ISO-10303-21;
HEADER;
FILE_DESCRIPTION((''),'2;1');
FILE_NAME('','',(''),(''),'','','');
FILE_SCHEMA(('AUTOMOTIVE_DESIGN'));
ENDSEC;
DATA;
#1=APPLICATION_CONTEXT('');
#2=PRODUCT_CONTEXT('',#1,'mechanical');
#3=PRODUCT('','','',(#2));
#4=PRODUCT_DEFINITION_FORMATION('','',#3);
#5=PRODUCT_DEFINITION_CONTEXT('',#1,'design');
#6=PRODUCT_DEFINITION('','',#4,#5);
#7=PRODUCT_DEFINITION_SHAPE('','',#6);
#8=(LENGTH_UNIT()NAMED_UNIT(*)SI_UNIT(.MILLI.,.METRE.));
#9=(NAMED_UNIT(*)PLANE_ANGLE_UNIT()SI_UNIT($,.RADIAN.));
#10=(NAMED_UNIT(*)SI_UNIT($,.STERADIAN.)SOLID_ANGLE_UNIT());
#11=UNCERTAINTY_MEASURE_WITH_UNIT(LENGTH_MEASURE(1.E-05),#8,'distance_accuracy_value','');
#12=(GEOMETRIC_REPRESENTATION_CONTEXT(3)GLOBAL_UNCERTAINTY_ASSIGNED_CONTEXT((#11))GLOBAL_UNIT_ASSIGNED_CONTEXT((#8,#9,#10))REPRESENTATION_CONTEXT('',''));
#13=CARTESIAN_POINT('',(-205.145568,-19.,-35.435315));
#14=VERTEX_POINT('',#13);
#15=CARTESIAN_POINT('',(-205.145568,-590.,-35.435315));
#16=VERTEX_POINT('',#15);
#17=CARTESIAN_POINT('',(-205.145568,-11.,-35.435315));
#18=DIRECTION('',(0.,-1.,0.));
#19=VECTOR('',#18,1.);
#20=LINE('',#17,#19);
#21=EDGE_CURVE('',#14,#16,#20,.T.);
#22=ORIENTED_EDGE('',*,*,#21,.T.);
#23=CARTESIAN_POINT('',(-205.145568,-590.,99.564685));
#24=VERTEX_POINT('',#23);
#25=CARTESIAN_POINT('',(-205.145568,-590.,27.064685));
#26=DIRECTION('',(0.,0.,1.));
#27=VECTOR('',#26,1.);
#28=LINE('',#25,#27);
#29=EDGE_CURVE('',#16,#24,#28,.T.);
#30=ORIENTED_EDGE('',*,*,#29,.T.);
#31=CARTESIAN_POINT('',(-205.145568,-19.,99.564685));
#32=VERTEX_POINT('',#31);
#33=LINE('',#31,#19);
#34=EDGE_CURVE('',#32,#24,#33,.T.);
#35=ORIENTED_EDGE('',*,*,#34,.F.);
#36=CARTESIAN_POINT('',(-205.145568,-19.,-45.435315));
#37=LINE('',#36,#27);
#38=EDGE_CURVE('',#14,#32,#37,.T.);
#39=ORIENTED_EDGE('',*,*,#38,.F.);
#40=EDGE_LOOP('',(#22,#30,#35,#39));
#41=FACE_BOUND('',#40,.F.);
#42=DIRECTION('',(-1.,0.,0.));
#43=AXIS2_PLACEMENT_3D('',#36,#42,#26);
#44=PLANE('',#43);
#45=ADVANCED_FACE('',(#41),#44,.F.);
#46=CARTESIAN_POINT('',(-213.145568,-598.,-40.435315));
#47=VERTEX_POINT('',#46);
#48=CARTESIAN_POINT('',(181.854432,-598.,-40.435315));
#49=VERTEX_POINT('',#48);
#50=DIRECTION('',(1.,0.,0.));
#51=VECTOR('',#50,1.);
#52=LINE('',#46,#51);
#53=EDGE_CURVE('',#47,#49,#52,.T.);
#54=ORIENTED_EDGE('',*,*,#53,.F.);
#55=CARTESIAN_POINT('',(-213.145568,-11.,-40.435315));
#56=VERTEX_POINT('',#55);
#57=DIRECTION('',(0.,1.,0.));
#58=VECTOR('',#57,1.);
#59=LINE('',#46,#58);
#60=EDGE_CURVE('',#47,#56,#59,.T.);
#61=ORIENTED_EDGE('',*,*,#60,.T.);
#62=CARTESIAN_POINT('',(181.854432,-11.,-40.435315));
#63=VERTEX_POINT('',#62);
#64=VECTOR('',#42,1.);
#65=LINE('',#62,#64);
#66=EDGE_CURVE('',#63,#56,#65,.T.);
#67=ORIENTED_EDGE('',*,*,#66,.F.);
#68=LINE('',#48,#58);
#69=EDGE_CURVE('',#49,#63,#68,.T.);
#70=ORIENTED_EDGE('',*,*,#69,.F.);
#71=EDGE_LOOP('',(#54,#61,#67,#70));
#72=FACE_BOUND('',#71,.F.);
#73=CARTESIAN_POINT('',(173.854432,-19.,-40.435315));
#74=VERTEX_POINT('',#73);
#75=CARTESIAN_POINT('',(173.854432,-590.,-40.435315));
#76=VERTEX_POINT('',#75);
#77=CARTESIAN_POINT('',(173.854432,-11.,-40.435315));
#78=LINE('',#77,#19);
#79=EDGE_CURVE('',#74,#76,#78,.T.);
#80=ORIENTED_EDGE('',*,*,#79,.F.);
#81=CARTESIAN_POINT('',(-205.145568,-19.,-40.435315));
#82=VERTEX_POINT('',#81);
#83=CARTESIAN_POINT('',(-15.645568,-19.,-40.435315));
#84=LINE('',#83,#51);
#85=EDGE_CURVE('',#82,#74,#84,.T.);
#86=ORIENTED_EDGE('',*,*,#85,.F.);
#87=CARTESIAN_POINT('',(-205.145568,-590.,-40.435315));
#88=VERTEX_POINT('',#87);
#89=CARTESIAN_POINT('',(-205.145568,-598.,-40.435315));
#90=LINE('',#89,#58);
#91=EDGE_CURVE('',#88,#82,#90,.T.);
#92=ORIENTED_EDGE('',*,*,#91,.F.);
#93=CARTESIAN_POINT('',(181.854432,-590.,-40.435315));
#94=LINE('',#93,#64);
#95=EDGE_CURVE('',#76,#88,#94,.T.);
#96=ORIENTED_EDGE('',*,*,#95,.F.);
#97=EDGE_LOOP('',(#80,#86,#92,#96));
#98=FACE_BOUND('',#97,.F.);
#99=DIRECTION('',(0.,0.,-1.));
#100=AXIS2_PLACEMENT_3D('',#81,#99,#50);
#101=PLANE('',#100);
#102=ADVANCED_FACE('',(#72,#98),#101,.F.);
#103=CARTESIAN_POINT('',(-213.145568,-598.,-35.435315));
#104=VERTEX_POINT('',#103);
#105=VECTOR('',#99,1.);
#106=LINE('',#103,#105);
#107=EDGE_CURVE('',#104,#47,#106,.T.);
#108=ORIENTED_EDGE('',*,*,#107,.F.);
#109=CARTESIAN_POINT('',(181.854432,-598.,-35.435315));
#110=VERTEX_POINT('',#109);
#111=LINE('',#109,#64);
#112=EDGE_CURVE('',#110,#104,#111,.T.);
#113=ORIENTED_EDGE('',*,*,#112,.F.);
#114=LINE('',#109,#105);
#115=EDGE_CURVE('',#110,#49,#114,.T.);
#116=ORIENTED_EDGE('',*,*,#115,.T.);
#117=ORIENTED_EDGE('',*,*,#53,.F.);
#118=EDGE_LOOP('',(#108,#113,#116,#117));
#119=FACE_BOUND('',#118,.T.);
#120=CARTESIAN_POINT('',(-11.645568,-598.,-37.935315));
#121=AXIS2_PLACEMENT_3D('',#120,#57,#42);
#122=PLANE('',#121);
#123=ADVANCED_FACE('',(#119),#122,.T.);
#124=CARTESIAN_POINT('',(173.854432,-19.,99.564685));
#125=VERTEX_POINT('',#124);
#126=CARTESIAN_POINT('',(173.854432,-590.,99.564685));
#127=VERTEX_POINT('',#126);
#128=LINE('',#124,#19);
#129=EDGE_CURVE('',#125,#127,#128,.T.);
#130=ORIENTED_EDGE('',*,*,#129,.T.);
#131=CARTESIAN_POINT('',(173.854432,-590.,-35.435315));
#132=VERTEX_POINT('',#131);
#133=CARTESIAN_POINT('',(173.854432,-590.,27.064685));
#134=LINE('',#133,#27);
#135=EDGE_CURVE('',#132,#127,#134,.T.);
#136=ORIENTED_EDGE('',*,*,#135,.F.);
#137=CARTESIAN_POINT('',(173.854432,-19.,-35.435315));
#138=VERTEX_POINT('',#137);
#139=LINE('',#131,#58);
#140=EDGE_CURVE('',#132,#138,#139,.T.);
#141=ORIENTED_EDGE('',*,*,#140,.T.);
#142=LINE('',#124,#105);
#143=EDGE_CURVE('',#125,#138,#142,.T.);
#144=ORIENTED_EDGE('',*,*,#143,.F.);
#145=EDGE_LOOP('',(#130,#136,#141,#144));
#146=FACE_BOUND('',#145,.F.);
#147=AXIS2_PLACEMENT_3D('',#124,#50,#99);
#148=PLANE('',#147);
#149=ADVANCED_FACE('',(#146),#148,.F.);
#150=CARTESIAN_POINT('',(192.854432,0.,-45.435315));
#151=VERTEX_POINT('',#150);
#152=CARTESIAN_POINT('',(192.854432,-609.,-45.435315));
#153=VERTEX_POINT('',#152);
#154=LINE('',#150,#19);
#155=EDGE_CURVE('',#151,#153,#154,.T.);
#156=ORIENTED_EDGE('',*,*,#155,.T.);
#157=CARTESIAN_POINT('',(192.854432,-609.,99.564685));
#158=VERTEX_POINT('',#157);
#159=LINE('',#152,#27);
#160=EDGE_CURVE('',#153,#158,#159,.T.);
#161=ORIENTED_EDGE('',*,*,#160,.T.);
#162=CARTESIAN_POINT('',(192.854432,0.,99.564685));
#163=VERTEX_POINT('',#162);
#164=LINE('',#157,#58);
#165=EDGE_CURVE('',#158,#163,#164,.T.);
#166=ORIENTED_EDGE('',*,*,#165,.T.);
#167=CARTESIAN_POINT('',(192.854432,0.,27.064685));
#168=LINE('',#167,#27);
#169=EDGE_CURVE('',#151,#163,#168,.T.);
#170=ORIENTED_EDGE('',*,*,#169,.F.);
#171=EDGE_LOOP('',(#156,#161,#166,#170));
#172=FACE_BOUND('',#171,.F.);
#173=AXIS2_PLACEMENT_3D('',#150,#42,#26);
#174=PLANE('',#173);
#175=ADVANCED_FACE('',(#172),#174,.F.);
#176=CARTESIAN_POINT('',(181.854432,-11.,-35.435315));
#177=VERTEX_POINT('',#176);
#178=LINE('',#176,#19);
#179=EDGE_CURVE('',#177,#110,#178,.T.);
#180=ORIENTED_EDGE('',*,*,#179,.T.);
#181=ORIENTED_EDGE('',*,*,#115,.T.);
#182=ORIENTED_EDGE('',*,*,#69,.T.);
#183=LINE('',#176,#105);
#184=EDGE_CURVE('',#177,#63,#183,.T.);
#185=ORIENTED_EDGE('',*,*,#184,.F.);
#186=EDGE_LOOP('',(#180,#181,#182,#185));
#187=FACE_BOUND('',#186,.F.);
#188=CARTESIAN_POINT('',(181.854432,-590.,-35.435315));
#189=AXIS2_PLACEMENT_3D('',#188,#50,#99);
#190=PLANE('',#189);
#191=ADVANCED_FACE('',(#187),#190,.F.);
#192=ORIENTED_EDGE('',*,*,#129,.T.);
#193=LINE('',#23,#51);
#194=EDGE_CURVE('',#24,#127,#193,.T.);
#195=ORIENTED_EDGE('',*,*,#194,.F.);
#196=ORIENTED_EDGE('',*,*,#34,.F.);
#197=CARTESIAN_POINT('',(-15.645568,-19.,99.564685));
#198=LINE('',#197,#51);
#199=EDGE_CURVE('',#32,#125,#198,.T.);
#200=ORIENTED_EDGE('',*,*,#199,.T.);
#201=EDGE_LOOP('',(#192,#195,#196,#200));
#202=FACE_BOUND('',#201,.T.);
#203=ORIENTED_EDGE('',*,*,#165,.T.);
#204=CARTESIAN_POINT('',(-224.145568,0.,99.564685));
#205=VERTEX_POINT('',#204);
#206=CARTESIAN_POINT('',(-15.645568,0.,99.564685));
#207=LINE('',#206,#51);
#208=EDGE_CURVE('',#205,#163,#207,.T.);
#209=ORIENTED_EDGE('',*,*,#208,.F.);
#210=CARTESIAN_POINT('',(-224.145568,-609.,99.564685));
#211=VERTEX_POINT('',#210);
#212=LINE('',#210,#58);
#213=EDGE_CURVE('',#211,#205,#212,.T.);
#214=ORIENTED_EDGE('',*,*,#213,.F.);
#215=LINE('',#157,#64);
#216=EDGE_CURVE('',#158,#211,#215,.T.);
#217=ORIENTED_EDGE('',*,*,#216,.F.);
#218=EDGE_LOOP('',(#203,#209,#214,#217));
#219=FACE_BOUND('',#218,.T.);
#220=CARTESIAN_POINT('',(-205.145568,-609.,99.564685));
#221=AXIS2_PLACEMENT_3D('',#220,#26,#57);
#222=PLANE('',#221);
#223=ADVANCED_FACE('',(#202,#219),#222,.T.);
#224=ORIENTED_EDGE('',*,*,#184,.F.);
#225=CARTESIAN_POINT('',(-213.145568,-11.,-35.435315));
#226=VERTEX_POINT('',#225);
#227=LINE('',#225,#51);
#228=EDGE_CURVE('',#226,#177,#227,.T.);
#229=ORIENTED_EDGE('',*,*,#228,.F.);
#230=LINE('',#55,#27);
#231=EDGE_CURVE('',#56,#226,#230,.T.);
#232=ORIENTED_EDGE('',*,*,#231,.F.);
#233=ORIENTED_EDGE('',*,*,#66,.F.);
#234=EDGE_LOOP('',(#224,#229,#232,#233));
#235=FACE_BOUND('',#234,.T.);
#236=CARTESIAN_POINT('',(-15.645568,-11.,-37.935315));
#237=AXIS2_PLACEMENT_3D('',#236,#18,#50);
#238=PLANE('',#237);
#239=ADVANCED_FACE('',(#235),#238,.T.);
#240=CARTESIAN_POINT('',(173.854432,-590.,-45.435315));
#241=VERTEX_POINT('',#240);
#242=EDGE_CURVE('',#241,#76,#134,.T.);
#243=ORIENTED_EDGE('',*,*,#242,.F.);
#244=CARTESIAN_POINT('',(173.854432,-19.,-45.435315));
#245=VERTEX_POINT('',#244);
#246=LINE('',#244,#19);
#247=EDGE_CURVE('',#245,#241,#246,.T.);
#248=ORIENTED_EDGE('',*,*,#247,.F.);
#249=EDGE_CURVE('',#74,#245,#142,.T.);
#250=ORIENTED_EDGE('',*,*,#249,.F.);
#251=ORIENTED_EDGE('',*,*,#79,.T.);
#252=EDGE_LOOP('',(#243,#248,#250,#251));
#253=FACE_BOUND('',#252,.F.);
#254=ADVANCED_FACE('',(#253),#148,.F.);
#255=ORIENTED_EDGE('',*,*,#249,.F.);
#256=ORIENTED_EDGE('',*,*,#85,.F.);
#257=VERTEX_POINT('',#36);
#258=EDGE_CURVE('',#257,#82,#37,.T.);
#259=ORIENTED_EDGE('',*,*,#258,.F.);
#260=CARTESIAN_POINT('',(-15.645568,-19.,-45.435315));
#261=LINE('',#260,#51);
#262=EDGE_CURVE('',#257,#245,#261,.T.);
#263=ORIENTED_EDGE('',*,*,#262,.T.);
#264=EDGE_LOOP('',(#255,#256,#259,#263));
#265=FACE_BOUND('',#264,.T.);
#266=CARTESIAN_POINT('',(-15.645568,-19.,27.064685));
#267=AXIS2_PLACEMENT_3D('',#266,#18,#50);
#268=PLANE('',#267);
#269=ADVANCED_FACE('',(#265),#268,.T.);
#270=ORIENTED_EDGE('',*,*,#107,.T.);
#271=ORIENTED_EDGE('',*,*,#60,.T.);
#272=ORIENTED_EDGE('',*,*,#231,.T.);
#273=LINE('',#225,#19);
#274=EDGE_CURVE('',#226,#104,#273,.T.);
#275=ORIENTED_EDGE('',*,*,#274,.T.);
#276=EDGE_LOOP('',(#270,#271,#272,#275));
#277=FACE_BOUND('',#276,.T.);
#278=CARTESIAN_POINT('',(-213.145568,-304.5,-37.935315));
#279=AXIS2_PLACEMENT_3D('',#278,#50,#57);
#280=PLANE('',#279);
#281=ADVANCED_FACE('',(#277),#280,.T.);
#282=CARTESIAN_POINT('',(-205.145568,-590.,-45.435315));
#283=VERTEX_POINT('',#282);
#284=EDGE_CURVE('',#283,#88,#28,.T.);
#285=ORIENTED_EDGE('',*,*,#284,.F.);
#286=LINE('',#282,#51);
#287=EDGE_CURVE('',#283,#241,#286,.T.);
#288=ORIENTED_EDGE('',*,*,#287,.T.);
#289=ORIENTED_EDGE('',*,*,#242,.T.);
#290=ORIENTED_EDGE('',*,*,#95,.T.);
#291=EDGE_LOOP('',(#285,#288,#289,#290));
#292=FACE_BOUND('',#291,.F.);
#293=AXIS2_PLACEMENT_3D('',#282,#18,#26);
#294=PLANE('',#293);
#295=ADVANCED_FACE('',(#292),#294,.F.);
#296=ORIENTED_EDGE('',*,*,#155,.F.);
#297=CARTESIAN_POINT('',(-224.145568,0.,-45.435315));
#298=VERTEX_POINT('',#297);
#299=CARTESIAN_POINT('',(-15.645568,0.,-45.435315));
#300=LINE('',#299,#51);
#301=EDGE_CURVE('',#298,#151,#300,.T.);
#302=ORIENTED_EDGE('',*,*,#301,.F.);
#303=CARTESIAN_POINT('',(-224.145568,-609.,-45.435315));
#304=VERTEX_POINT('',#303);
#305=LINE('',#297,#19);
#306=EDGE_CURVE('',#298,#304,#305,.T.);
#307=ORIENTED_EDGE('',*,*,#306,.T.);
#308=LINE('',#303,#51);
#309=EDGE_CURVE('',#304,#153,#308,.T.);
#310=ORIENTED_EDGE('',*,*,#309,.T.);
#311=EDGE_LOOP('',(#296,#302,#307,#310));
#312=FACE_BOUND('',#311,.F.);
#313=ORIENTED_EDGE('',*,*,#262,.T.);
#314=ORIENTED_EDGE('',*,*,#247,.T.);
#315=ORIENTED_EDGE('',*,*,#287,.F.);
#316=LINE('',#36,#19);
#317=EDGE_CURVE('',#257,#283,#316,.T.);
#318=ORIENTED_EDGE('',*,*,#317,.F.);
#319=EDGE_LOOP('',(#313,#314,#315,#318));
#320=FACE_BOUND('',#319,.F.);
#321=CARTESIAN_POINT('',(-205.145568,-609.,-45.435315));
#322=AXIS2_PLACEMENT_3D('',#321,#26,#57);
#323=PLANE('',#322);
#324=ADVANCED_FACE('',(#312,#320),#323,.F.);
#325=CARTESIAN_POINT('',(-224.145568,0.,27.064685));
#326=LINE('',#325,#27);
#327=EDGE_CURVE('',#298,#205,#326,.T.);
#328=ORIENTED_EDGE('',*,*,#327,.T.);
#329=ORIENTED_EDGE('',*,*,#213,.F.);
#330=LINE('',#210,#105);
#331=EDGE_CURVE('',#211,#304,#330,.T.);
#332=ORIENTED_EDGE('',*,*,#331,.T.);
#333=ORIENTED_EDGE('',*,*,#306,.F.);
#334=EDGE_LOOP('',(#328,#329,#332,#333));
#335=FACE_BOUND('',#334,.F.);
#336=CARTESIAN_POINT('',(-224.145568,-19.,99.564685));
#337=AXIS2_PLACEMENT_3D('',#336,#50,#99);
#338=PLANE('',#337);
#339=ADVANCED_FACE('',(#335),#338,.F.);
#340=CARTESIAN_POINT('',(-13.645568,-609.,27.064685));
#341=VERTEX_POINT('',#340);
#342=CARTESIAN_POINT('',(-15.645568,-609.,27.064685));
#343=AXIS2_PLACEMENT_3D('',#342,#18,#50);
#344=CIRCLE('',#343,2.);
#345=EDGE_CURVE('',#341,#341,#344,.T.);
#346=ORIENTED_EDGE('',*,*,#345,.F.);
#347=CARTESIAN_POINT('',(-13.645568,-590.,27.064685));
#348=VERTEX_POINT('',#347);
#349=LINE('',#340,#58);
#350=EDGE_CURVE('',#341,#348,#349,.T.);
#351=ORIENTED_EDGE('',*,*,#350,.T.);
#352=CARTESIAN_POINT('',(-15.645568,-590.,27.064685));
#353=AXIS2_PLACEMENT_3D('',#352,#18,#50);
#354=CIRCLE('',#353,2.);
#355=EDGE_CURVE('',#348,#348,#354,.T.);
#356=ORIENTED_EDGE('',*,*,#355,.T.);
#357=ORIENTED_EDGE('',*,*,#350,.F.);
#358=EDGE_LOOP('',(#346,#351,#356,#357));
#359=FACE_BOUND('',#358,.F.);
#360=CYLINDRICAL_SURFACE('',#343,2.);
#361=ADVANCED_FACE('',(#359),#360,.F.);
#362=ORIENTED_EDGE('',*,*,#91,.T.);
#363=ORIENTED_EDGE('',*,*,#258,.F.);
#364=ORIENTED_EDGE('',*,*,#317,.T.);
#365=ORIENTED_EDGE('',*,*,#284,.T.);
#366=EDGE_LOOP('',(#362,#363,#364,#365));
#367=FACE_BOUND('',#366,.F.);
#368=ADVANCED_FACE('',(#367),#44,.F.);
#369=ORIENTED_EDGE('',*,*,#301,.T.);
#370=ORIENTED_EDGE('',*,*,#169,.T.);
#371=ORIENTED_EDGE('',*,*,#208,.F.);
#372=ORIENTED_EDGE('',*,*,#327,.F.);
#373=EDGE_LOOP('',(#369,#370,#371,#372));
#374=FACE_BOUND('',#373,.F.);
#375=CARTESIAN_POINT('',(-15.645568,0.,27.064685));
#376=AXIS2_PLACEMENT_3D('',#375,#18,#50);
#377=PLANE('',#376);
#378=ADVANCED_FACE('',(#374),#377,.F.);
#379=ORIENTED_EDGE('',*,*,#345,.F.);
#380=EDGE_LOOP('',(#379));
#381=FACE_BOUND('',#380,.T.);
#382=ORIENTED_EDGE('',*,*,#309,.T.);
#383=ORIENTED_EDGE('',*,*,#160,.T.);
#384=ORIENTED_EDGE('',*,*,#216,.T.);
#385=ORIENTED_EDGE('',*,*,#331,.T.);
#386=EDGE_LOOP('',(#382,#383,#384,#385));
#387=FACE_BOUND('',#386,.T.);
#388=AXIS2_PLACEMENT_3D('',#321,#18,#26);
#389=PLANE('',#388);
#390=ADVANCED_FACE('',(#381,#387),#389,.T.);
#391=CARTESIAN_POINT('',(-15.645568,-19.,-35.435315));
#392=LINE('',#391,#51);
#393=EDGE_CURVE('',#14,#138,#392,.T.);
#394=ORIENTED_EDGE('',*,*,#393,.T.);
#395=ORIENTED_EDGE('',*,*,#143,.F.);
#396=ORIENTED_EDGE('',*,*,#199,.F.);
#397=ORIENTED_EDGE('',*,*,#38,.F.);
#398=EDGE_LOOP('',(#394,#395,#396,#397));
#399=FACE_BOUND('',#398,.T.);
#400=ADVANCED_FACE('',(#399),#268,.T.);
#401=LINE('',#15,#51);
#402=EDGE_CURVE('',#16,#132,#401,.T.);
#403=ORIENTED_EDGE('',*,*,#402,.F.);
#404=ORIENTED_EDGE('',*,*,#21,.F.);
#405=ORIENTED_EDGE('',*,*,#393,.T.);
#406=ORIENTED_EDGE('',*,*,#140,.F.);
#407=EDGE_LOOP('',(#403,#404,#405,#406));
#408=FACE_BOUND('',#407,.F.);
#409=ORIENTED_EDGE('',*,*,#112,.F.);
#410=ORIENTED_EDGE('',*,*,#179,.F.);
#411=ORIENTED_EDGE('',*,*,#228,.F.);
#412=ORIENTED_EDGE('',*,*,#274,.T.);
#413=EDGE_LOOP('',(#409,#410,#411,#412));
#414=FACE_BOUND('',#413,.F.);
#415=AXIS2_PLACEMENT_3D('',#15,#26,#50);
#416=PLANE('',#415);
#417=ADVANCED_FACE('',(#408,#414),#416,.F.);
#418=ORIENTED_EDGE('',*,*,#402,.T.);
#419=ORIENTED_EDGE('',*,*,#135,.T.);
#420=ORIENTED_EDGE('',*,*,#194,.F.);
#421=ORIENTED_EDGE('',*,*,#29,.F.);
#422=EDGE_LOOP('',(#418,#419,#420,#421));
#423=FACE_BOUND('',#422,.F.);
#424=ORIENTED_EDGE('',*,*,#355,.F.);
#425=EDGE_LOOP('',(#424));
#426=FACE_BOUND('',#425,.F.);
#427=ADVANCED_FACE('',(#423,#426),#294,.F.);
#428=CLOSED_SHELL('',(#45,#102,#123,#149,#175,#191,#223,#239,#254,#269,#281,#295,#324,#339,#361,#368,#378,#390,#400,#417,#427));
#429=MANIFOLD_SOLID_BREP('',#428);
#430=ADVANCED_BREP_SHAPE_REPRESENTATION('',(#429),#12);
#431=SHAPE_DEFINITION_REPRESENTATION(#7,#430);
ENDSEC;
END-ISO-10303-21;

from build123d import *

# Parameters (mm, degrees)
F0_W      = 417
F0_H      = 145
F1_DEPTH  = 19
F3_DEPTH  = 590
F4_W      = 379
F4_H      = 5
F5_DEPTH  = 8
F6_W      = 19
F6_H      = 145
F7_DEPTH  = 379
F9_DEPTH  = 8
F11_DEPTH = 8
F13_DEPTH = 8
F14_R     = 2
F15_DEPTH = 19


with BuildPart() as f1:
    # F0 (on Front) → F1 (new body)
    with BuildSketch(Plane.XZ):
        with Locations((-15.645568, 27.064685)):
            Rectangle(F0_W, F0_H)
    extrude(amount=F1_DEPTH)

    # F2 (on face) → F3 (join)
    with BuildSketch(Plane.XZ.offset(19)):
        Polygon((-224.145568, 99.564685), (-224.145568, -45.435315), (-205.145568, -45.435315), (-205.145568, -40.435315), (-205.145568, -35.435315), (-205.145568, 99.564685), align=None)
        Polygon((173.854432, -40.435315), (173.854432, -45.435315), (192.854432, -45.435315), (192.854432, 99.564685), (173.854432, 99.564685), (173.854432, -35.435315), align=None)
    extrude(amount=F3_DEPTH)

    # F4 (on face) → F5 (cut)
    with BuildSketch(Plane.XZ.offset(19)):
        with Locations((-15.645568, -37.935315)):
            Rectangle(F4_W, F4_H)
    extrude(amount=-F5_DEPTH, mode=Mode.SUBTRACT)

    # F6 (on face) → F7 (join)
    with BuildSketch(Plane.YZ.offset(-205.145568)):
        with Locations((-599.5, 27.064685)):
            Rectangle(F6_W, F6_H)
    extrude(amount=F7_DEPTH)

    # F8 (on face) → F9 (cut)
    with BuildSketch(Plane(origin=(173.854432, 0, 0), x_dir=(0, -1, 0), z_dir=(-1, 0, 0))):
        Polygon((19, -35.435315), (11, -35.435315), (11, -40.435315), (19, -40.435315), (590, -40.435315), (590, -35.435315), align=None)
    extrude(amount=-F9_DEPTH, mode=Mode.SUBTRACT)

    # F10 (on face) → F11 (cut)
    with BuildSketch(Plane(origin=(0, -590, 0), x_dir=(-1, 0, 0), z_dir=(0, 1, 0))):
        Polygon((-173.854432, -35.435315), (-181.854432, -35.435315), (-181.854432, -40.435315), (-173.854432, -40.435315), (205.145568, -40.435315), (205.145568, -35.435315), align=None)
    extrude(amount=-F11_DEPTH, mode=Mode.SUBTRACT)

    # F12 (on face) → F13 (cut)
    with BuildSketch(Plane.YZ.offset(-205.145568)):
        Polygon((-590, -35.435315), (-598, -35.435315), (-598, -40.435315), (-590, -40.435315), (-19, -40.435315), (-11, -40.435315), (-11, -35.435315), (-19, -35.435315), align=None)
    extrude(amount=-F13_DEPTH, mode=Mode.SUBTRACT)

    # F14 (on face) → F15 (cut)
    with BuildSketch(Plane.XZ.offset(609)):
        with Locations((-15.645568, 27.064685)):
            Circle(F14_R)
    extrude(amount=-F15_DEPTH, mode=Mode.SUBTRACT)


solid = f1.part
